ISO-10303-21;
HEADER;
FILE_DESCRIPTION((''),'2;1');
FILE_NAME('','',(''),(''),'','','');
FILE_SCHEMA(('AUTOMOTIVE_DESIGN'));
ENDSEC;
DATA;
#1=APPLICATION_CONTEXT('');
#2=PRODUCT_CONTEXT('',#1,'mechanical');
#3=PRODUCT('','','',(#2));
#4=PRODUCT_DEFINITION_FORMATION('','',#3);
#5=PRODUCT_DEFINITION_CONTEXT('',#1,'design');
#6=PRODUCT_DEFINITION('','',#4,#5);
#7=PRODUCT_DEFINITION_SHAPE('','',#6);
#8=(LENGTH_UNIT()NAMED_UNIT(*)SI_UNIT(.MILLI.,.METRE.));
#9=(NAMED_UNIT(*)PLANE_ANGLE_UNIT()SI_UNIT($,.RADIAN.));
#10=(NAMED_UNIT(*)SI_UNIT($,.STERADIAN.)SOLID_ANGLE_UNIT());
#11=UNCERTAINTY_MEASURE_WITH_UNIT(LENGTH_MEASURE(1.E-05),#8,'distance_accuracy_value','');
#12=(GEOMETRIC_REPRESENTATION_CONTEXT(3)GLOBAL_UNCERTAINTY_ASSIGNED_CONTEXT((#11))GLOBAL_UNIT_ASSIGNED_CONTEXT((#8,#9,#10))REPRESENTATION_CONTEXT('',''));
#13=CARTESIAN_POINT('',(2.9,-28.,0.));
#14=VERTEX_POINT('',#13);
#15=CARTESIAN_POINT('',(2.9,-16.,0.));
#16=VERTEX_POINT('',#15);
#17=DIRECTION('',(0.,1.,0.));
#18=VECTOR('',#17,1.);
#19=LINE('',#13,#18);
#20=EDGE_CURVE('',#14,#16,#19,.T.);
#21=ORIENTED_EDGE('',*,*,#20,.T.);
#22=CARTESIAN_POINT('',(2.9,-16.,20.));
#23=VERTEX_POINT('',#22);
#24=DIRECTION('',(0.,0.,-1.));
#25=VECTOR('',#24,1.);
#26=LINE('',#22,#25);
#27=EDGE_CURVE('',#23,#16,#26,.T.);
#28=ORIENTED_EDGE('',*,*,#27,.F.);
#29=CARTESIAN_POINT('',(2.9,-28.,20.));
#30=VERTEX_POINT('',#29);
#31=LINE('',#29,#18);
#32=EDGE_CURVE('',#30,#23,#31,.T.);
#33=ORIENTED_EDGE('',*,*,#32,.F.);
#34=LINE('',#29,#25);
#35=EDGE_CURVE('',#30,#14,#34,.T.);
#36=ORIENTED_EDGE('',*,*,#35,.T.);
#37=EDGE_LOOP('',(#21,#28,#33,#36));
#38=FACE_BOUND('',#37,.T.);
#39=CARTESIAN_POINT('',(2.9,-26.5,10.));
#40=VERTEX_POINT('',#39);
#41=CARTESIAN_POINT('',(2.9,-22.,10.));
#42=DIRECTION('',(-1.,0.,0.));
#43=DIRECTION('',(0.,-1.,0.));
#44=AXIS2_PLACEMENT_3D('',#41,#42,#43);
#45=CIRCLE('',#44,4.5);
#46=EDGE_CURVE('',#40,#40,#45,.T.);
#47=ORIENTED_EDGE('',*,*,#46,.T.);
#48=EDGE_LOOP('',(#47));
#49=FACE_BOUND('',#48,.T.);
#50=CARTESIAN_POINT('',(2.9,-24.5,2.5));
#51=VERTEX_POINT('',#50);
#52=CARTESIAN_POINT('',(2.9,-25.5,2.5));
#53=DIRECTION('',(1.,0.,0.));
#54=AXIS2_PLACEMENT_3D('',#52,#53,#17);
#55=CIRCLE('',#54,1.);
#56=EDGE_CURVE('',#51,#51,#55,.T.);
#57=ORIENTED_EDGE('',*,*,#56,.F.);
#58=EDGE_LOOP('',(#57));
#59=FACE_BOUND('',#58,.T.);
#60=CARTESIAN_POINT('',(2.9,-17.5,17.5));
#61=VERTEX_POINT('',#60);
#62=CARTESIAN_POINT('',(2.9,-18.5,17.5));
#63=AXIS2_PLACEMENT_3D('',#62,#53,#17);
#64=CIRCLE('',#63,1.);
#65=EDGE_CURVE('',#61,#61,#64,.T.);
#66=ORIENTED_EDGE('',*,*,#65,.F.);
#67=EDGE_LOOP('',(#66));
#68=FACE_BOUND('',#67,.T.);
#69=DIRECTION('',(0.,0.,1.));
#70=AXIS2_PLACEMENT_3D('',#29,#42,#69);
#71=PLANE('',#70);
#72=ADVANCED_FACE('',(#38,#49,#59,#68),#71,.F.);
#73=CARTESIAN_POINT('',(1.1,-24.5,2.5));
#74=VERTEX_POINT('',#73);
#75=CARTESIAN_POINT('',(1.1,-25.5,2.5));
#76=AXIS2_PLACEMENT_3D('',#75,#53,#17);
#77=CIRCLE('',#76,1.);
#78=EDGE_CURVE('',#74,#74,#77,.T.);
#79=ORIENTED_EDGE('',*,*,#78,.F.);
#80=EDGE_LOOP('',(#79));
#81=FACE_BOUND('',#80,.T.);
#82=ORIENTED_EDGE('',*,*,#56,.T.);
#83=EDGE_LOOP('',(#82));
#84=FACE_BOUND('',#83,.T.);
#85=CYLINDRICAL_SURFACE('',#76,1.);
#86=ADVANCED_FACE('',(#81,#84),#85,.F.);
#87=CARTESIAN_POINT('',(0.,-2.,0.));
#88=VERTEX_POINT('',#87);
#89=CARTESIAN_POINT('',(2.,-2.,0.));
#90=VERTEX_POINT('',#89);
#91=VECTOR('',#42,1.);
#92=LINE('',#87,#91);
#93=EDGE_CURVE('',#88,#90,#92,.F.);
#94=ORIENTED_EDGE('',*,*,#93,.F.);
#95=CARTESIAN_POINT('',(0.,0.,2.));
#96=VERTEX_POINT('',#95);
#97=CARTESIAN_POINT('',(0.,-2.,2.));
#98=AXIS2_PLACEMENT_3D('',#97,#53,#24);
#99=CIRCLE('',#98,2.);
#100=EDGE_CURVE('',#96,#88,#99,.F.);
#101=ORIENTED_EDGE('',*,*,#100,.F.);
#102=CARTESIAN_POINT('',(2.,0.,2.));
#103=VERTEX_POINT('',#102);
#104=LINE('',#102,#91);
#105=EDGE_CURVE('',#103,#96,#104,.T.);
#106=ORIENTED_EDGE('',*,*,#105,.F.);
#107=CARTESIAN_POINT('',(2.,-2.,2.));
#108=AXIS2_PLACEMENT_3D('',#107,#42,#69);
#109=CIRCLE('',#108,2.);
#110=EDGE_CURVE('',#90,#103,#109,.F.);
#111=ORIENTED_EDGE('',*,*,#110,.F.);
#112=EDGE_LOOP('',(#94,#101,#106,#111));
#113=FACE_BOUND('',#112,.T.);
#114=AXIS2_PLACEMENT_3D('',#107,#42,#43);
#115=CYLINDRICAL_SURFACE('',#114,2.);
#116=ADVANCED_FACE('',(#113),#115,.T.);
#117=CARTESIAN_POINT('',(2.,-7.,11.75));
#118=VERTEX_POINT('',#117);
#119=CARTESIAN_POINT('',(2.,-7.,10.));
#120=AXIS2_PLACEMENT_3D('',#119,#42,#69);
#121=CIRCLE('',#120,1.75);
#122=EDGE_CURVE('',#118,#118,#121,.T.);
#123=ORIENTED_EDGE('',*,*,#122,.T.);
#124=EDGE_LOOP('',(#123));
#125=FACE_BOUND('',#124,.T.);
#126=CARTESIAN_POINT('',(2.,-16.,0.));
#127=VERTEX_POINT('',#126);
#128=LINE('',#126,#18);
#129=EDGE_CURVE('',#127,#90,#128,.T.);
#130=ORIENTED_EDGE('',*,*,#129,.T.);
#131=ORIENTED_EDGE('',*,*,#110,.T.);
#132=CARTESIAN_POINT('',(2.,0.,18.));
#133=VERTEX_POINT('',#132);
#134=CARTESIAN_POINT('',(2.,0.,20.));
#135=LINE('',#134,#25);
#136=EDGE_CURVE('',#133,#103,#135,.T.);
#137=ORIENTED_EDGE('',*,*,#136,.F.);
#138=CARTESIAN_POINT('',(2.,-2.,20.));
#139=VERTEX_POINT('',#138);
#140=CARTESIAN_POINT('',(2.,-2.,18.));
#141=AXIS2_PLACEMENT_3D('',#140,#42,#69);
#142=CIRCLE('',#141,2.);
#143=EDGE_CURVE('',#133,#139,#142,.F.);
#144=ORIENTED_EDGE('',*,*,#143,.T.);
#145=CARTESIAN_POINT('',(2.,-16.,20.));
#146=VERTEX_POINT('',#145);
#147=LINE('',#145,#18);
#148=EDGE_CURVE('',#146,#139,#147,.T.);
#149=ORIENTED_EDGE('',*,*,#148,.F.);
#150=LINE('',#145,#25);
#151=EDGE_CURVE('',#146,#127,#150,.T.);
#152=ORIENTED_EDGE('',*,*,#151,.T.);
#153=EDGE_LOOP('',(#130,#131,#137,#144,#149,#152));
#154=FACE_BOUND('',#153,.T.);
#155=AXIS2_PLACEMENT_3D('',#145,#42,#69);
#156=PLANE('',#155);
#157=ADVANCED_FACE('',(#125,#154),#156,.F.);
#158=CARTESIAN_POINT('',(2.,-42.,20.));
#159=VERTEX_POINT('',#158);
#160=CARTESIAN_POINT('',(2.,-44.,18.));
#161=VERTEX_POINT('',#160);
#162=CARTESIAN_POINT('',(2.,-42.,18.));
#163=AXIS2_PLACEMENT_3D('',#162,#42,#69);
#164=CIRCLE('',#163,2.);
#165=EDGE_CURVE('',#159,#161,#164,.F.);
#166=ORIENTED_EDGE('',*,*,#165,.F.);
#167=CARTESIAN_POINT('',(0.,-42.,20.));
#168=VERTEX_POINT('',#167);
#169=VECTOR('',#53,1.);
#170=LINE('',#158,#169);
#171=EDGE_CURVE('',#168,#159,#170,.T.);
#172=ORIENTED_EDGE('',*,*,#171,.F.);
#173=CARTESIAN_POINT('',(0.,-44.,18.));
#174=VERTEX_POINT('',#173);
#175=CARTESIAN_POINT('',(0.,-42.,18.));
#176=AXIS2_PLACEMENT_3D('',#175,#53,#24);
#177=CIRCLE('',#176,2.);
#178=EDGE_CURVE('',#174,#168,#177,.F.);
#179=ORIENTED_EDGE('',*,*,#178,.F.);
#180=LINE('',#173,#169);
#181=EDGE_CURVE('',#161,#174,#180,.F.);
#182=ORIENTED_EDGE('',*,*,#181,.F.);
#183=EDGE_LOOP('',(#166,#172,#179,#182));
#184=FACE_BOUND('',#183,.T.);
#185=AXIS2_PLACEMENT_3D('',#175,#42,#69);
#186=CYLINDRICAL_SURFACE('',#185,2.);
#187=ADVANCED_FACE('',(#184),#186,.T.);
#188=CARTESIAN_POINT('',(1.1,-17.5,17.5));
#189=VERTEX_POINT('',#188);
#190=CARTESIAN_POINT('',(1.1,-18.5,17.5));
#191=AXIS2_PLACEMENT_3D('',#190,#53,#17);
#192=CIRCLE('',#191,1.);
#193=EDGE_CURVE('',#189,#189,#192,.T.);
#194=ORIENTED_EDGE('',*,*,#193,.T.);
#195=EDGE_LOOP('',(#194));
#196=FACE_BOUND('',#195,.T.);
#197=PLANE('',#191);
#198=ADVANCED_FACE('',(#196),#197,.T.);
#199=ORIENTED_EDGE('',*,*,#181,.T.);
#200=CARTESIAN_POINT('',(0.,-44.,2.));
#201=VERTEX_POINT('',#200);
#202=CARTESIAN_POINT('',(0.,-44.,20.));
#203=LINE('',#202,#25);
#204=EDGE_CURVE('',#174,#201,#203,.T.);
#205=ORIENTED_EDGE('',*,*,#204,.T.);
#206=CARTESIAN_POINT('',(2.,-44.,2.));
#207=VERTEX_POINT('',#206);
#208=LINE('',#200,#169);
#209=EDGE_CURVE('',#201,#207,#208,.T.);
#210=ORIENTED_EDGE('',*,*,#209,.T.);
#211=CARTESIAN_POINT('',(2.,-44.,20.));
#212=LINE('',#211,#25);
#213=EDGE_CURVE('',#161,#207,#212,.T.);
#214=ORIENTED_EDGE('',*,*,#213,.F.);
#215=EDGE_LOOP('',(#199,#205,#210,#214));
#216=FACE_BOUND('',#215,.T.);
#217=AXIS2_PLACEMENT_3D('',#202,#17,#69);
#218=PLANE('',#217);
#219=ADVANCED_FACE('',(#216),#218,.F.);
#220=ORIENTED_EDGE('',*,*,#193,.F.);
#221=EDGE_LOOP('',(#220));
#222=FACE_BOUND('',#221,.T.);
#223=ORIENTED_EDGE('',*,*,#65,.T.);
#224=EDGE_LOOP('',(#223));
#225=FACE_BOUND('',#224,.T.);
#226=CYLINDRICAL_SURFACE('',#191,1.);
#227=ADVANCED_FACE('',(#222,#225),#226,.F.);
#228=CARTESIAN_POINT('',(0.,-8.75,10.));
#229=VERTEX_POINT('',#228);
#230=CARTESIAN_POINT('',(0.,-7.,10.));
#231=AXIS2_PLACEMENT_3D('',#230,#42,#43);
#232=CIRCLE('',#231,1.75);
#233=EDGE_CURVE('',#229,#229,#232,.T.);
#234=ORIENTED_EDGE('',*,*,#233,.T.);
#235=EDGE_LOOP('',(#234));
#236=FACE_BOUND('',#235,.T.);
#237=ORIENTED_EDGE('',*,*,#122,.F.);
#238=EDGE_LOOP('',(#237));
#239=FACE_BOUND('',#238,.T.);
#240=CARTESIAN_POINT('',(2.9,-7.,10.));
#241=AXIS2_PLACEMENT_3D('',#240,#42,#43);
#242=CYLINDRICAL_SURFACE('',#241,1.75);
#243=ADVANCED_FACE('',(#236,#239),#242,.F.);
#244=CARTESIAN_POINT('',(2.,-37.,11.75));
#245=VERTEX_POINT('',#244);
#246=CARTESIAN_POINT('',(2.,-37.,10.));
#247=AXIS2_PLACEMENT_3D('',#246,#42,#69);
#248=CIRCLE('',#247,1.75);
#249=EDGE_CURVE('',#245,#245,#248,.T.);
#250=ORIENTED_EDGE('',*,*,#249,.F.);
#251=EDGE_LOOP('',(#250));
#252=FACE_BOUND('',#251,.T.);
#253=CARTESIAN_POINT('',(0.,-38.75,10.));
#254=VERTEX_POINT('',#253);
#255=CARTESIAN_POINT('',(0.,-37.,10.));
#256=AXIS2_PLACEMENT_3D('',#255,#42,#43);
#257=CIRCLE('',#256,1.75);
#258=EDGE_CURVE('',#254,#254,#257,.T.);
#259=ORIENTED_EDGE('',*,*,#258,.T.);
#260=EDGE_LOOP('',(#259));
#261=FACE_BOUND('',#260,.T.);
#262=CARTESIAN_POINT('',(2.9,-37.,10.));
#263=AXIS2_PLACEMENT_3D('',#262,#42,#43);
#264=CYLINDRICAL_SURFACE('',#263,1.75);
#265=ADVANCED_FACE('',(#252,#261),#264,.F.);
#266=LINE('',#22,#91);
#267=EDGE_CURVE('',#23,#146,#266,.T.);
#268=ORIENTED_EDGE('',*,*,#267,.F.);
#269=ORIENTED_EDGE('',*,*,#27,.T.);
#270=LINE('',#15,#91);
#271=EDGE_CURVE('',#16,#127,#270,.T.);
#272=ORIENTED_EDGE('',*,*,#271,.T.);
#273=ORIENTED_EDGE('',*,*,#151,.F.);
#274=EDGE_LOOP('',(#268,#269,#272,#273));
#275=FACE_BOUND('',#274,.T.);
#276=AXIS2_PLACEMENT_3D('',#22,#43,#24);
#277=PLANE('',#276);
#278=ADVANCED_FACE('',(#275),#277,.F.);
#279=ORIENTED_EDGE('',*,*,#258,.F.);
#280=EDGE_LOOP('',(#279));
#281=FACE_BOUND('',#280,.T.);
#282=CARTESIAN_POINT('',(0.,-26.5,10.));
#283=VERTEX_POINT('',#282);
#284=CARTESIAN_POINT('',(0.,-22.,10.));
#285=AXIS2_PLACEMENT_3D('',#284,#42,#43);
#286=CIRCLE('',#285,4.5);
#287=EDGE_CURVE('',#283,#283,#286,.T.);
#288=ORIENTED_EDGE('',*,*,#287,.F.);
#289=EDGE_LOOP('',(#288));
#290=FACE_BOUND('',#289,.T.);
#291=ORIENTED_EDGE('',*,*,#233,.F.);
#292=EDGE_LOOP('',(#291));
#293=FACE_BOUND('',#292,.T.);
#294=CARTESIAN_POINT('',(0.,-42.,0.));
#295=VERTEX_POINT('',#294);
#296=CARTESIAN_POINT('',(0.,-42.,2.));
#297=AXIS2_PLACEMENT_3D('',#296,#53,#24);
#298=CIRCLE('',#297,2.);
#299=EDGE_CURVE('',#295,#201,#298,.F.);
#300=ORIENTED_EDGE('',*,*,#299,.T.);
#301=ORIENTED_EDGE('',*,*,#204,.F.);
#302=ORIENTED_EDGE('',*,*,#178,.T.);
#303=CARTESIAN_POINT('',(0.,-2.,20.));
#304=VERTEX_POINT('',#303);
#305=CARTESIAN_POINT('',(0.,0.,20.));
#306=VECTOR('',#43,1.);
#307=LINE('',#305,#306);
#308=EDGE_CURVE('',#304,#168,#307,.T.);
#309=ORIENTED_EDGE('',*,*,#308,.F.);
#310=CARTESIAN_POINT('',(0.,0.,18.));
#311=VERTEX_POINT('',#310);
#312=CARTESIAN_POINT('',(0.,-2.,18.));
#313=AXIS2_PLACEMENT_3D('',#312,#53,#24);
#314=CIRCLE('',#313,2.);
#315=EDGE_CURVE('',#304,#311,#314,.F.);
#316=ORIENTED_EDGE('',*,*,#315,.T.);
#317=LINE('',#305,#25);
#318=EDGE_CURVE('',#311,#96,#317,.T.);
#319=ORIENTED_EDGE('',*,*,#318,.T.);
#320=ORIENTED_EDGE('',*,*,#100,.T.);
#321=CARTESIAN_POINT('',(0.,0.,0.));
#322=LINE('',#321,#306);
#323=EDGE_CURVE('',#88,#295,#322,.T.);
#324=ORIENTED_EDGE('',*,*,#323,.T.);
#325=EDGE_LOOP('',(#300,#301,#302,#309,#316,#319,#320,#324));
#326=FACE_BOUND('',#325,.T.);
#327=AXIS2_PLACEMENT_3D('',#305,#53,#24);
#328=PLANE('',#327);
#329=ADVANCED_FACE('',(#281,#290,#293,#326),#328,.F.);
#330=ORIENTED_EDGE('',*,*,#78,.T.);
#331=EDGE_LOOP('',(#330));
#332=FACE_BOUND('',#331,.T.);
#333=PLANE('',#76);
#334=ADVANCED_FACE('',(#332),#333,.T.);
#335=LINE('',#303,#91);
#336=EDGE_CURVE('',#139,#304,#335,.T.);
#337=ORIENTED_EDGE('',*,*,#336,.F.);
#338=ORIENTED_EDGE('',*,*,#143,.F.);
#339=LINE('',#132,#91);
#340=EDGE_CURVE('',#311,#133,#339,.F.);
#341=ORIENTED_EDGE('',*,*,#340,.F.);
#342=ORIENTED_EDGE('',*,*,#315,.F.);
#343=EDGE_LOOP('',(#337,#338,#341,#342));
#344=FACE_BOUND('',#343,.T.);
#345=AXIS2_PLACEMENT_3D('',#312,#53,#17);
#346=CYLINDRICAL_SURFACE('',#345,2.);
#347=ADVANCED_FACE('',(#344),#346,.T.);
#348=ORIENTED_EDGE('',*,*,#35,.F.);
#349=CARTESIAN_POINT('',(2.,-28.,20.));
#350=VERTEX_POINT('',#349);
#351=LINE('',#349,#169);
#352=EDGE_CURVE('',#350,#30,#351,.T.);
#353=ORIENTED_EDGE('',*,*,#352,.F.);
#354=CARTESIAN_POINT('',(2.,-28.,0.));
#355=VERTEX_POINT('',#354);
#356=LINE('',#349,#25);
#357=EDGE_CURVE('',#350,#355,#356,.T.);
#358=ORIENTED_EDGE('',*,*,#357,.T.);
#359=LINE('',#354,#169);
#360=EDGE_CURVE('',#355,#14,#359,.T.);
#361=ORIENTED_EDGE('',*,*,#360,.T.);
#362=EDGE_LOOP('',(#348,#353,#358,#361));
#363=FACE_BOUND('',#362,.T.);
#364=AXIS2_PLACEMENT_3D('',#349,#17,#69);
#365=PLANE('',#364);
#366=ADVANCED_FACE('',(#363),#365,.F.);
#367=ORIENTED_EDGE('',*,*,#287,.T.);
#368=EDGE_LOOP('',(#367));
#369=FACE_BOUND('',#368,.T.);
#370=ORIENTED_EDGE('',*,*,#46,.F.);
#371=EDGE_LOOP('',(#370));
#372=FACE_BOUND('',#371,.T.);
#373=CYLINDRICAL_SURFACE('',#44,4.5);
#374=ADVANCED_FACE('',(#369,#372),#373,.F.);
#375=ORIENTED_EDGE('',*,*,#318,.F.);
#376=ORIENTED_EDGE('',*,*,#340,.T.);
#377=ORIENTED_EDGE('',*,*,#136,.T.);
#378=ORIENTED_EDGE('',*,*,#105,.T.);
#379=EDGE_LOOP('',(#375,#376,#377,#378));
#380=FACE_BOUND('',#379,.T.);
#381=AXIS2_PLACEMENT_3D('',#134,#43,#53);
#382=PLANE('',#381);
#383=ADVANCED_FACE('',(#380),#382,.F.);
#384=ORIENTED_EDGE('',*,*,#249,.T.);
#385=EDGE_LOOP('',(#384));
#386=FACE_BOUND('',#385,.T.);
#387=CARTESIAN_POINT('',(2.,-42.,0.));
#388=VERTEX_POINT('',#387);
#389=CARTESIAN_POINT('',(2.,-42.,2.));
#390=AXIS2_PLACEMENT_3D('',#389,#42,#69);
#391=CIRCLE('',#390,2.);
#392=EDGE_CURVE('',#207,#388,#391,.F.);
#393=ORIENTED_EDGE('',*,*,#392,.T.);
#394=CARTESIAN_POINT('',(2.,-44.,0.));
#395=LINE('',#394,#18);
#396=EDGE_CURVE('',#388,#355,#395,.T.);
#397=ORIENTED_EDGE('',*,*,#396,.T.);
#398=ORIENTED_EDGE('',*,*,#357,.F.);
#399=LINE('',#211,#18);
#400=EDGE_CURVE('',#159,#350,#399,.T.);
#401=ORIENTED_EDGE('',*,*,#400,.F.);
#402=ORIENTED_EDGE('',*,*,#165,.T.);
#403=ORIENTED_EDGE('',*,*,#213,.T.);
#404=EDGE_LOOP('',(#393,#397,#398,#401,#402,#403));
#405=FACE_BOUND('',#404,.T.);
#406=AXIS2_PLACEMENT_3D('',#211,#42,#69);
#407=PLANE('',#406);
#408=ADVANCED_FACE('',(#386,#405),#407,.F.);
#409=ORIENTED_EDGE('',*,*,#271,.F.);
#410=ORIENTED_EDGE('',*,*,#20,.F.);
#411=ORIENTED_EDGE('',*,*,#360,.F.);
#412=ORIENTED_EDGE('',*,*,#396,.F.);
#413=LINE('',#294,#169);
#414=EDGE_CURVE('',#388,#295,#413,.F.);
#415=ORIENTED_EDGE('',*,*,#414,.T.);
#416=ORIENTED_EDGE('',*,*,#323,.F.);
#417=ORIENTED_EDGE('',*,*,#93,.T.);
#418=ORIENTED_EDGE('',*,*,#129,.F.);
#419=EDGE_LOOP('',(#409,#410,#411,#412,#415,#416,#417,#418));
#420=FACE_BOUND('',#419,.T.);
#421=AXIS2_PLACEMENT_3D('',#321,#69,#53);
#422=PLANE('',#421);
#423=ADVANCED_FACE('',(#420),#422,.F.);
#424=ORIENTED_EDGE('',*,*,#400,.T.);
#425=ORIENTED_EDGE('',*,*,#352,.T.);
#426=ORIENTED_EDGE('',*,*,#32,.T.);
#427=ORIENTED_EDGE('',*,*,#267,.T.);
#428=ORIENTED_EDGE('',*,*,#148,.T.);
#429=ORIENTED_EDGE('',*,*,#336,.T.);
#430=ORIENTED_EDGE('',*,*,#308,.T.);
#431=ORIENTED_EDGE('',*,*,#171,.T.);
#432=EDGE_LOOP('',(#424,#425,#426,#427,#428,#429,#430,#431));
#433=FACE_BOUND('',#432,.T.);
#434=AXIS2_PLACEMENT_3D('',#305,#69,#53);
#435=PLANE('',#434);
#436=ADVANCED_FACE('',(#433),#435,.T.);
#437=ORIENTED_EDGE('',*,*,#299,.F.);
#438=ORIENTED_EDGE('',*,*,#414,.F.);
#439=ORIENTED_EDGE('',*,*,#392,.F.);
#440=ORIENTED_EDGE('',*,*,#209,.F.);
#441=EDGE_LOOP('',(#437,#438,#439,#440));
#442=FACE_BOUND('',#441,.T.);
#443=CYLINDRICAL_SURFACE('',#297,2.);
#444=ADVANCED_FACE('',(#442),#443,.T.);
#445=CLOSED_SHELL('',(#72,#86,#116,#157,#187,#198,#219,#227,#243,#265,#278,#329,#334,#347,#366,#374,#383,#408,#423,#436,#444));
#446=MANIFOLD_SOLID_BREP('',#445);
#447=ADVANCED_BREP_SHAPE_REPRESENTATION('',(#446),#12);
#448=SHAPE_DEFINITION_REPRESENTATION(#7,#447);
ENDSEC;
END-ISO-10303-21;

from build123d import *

# Parameters (mm, degrees)
BOSS_EXTRUDE1_DEPTH = 20
SKETCH2_R           = 1.75
SKETCH2_R_2         = 4.5
CUT_EXTRUDE1_DEPTH  = 3.9
SKETCH3_R           = 1
CUT_EXTRUDE2_DEPTH  = 1.8
FILLET1_R           = 2


with BuildPart() as part:
    # Sketch1 → Boss-Extrude1 (new body)
    with BuildSketch(Plane.XY):
        Polygon((0, 0), (0, -44), (2, -44), (2, -28), (2.9, -28), (2.9, -16), (2, -16), (2, 0), align=None)
    extrude(amount=BOSS_EXTRUDE1_DEPTH)

    # Sketch2 → Cut-Extrude1 (cut, through all)
    with BuildSketch(Plane.ZY):
        with Locations((10, -7)):
            Circle(SKETCH2_R)
        with Locations((10, -37)):
            Circle(SKETCH2_R)
        with Locations((10, -22)):
            Circle(SKETCH2_R_2)
    extrude(amount=-CUT_EXTRUDE1_DEPTH, mode=Mode.SUBTRACT)

    # Sketch3 → Cut-Extrude2 (cut)
    with BuildSketch(Plane(origin=(2.9, 0, 0), x_dir=(0, 0, -1), z_dir=(1, 0, 0))):
        with Locations((-17.5, -18.5)):
            Circle(SKETCH3_R)
        with Locations((-2.5, -25.5)):
            Circle(SKETCH3_R)
    extrude(amount=-CUT_EXTRUDE2_DEPTH, mode=Mode.SUBTRACT)

    # Fillet1
    fillet1_edges = [part.edges().sort_by_distance(p)[0] for p in [
        (1, -44, 20),
        (1, 0, 0),
        (1, 0, 20),
        (1, -44, 0),
    ]]
    fillet(fillet1_edges, radius=FILLET1_R)


solid = part.part
